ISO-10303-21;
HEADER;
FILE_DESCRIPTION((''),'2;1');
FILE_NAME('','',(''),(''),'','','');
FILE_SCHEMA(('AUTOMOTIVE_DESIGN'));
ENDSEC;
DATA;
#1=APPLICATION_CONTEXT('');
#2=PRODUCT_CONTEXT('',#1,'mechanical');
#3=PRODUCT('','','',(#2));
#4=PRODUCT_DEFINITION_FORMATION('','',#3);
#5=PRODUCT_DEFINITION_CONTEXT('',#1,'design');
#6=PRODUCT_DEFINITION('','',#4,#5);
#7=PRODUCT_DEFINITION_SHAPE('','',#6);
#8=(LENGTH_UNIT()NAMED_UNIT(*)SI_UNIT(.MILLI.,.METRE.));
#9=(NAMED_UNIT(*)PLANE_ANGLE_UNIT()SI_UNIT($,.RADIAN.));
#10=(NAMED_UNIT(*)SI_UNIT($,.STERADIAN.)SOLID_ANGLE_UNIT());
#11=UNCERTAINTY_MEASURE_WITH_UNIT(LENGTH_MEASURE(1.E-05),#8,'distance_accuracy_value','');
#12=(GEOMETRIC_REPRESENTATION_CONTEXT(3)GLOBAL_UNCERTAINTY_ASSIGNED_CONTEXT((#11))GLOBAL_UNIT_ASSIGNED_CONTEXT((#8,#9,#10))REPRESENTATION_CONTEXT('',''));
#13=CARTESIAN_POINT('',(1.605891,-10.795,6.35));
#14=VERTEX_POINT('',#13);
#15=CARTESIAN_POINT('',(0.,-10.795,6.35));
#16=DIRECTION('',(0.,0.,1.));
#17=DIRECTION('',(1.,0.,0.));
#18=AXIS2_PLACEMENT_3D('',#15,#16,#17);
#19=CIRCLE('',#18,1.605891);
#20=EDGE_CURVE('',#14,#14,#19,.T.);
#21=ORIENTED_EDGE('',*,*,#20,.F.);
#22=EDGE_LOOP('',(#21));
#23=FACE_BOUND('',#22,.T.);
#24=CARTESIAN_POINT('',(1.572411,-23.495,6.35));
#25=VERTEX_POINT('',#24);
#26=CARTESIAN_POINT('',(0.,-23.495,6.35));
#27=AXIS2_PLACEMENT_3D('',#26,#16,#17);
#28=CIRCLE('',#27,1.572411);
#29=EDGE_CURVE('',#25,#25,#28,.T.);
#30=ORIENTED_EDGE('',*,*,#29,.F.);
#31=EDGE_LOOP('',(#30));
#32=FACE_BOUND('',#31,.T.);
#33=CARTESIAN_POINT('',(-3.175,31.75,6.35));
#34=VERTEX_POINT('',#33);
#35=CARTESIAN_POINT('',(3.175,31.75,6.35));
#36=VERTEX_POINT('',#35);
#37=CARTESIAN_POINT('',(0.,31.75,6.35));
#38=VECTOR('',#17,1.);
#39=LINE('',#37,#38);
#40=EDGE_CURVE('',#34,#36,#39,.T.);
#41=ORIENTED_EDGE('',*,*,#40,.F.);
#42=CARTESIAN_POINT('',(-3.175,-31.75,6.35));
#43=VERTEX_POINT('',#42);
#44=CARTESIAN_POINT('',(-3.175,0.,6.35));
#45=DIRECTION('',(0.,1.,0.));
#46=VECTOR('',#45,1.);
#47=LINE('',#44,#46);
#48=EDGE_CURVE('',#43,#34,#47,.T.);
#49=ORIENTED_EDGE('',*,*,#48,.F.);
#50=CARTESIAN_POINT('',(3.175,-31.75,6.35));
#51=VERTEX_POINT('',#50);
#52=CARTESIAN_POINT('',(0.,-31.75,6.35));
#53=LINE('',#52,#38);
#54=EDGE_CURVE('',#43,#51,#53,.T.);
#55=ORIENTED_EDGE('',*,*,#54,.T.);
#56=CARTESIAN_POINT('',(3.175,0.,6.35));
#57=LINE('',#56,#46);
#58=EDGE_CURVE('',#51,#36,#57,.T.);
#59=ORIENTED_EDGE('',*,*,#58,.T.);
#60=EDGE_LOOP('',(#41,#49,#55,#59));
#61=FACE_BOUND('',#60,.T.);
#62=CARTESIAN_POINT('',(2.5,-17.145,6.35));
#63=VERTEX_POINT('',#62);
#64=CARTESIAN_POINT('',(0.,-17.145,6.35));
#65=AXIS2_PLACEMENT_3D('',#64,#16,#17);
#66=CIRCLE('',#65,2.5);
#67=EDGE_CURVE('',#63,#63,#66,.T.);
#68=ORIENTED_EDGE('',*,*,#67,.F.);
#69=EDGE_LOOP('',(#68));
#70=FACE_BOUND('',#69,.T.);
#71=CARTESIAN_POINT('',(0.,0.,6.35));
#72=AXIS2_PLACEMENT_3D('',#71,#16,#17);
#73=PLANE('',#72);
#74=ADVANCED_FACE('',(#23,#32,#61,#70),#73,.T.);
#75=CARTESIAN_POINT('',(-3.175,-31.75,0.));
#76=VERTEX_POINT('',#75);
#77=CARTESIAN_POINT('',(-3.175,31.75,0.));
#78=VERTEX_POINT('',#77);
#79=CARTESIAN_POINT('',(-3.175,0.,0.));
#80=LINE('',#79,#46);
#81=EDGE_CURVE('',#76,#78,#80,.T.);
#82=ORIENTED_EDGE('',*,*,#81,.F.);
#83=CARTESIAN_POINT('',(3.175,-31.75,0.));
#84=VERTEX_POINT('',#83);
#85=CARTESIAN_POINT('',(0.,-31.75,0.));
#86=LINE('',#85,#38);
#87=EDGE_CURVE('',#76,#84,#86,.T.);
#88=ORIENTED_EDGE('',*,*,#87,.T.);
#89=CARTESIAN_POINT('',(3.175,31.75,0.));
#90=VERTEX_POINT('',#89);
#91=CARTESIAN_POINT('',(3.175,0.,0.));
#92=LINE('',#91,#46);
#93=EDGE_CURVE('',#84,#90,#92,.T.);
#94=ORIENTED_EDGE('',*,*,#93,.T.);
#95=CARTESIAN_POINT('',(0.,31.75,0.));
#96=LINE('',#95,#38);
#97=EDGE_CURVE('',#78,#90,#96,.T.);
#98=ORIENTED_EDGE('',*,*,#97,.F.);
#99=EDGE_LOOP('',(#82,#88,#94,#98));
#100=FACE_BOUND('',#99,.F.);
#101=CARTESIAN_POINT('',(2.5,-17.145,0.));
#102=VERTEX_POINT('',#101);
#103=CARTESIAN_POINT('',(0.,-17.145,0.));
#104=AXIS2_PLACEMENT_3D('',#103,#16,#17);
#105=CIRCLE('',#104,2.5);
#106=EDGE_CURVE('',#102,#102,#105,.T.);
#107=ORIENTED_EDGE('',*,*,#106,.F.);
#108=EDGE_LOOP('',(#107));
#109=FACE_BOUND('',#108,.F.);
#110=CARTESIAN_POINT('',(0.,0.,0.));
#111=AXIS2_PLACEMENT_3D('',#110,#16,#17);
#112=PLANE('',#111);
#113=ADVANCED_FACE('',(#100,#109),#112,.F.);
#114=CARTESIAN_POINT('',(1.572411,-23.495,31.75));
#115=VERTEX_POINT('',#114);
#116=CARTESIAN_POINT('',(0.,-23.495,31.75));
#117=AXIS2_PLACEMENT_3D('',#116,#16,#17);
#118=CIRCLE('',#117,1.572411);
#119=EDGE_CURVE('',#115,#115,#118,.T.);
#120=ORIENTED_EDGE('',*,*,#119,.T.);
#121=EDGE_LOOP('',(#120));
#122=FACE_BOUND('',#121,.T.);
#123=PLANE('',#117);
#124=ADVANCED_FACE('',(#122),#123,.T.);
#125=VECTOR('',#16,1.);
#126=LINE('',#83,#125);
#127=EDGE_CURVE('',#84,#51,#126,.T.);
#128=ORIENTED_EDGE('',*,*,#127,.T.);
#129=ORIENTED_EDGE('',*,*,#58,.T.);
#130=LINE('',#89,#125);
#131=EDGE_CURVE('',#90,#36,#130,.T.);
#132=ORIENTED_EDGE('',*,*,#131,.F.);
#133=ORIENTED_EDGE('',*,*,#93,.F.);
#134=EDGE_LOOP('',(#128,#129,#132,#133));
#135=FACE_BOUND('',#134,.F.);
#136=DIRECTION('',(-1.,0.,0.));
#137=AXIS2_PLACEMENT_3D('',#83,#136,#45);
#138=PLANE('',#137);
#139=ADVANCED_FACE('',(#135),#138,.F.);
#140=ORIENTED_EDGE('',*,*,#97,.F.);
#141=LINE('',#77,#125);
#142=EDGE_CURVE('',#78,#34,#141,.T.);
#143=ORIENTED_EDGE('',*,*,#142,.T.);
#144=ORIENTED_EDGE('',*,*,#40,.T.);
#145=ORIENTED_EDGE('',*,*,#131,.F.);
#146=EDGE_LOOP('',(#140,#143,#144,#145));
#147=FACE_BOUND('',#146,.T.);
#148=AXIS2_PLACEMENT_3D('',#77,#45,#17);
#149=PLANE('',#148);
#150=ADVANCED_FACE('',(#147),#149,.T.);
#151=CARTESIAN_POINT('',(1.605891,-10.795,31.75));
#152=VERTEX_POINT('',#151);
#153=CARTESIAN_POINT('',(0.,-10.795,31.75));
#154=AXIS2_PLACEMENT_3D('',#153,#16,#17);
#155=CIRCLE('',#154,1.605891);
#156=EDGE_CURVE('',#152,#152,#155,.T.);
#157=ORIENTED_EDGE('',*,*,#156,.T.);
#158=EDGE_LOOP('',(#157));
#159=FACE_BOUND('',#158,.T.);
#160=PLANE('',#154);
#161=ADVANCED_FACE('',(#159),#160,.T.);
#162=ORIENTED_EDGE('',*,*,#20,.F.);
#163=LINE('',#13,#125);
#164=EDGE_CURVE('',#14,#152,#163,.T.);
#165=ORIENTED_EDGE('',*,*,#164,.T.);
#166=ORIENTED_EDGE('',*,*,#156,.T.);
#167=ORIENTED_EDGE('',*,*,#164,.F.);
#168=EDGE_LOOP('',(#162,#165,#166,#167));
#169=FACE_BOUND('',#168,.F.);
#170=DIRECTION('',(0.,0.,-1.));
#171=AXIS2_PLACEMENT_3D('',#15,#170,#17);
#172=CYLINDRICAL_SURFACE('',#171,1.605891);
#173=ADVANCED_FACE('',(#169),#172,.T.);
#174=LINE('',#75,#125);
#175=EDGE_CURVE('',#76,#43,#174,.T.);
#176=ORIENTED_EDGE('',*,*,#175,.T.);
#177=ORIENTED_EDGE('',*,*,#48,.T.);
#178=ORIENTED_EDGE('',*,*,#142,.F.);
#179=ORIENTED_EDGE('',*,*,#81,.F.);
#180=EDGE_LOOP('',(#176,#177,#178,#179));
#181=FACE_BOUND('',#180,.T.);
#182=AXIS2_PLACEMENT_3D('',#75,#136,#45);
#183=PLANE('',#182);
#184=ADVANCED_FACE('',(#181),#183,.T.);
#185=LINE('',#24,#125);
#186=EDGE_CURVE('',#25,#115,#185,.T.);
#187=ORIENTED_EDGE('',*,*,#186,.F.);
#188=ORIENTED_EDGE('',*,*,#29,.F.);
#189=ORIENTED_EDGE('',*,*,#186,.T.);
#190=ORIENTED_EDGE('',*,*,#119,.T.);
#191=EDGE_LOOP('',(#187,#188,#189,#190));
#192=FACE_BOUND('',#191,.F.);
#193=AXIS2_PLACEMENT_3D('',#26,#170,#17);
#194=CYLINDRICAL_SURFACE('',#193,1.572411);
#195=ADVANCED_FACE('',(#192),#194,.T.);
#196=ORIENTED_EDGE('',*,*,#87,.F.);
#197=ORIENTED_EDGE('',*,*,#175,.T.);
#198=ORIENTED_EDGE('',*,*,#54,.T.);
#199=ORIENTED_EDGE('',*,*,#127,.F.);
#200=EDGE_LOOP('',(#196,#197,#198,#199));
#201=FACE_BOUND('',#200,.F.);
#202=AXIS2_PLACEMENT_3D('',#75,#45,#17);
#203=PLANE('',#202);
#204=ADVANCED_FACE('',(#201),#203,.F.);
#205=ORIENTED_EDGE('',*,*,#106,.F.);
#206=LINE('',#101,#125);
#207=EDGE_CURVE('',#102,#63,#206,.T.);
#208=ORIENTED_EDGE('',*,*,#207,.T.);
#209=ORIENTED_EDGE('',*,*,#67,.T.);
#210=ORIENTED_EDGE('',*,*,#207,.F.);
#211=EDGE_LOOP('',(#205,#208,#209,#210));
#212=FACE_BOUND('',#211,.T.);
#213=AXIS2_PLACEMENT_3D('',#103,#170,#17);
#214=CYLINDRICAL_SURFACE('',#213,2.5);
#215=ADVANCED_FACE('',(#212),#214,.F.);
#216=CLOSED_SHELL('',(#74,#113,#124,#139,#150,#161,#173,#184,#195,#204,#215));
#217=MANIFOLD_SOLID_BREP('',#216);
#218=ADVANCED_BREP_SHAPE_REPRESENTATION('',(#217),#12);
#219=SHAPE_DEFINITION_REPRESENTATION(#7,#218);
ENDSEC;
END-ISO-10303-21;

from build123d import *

# Parameters (mm, degrees)
F0_W     = 6.35
F0_H     = 63.5
F0_R     = 2.5
F1_DEPTH = 6.35
F2_R     = 1.605891
F2_R_2   = 1.572411
F3_DEPTH = 25.4


with BuildPart() as f1:
    # F0 (on Top) → F1 (new body)
    with BuildSketch(Plane.XY):
        Rectangle(F0_W, F0_H)
        with Locations((0, -17.145)):
            Circle(F0_R, mode=Mode.SUBTRACT)
    extrude(amount=F1_DEPTH)

    # F2 (on face) → F3 (join)
    with BuildSketch(Plane.XY.offset(6.35)):
        with Locations((0, -10.795)):
            Circle(F2_R)
        with Locations((0, -23.495)):
            Circle(F2_R_2)
    extrude(amount=F3_DEPTH)


solid = f1.part
